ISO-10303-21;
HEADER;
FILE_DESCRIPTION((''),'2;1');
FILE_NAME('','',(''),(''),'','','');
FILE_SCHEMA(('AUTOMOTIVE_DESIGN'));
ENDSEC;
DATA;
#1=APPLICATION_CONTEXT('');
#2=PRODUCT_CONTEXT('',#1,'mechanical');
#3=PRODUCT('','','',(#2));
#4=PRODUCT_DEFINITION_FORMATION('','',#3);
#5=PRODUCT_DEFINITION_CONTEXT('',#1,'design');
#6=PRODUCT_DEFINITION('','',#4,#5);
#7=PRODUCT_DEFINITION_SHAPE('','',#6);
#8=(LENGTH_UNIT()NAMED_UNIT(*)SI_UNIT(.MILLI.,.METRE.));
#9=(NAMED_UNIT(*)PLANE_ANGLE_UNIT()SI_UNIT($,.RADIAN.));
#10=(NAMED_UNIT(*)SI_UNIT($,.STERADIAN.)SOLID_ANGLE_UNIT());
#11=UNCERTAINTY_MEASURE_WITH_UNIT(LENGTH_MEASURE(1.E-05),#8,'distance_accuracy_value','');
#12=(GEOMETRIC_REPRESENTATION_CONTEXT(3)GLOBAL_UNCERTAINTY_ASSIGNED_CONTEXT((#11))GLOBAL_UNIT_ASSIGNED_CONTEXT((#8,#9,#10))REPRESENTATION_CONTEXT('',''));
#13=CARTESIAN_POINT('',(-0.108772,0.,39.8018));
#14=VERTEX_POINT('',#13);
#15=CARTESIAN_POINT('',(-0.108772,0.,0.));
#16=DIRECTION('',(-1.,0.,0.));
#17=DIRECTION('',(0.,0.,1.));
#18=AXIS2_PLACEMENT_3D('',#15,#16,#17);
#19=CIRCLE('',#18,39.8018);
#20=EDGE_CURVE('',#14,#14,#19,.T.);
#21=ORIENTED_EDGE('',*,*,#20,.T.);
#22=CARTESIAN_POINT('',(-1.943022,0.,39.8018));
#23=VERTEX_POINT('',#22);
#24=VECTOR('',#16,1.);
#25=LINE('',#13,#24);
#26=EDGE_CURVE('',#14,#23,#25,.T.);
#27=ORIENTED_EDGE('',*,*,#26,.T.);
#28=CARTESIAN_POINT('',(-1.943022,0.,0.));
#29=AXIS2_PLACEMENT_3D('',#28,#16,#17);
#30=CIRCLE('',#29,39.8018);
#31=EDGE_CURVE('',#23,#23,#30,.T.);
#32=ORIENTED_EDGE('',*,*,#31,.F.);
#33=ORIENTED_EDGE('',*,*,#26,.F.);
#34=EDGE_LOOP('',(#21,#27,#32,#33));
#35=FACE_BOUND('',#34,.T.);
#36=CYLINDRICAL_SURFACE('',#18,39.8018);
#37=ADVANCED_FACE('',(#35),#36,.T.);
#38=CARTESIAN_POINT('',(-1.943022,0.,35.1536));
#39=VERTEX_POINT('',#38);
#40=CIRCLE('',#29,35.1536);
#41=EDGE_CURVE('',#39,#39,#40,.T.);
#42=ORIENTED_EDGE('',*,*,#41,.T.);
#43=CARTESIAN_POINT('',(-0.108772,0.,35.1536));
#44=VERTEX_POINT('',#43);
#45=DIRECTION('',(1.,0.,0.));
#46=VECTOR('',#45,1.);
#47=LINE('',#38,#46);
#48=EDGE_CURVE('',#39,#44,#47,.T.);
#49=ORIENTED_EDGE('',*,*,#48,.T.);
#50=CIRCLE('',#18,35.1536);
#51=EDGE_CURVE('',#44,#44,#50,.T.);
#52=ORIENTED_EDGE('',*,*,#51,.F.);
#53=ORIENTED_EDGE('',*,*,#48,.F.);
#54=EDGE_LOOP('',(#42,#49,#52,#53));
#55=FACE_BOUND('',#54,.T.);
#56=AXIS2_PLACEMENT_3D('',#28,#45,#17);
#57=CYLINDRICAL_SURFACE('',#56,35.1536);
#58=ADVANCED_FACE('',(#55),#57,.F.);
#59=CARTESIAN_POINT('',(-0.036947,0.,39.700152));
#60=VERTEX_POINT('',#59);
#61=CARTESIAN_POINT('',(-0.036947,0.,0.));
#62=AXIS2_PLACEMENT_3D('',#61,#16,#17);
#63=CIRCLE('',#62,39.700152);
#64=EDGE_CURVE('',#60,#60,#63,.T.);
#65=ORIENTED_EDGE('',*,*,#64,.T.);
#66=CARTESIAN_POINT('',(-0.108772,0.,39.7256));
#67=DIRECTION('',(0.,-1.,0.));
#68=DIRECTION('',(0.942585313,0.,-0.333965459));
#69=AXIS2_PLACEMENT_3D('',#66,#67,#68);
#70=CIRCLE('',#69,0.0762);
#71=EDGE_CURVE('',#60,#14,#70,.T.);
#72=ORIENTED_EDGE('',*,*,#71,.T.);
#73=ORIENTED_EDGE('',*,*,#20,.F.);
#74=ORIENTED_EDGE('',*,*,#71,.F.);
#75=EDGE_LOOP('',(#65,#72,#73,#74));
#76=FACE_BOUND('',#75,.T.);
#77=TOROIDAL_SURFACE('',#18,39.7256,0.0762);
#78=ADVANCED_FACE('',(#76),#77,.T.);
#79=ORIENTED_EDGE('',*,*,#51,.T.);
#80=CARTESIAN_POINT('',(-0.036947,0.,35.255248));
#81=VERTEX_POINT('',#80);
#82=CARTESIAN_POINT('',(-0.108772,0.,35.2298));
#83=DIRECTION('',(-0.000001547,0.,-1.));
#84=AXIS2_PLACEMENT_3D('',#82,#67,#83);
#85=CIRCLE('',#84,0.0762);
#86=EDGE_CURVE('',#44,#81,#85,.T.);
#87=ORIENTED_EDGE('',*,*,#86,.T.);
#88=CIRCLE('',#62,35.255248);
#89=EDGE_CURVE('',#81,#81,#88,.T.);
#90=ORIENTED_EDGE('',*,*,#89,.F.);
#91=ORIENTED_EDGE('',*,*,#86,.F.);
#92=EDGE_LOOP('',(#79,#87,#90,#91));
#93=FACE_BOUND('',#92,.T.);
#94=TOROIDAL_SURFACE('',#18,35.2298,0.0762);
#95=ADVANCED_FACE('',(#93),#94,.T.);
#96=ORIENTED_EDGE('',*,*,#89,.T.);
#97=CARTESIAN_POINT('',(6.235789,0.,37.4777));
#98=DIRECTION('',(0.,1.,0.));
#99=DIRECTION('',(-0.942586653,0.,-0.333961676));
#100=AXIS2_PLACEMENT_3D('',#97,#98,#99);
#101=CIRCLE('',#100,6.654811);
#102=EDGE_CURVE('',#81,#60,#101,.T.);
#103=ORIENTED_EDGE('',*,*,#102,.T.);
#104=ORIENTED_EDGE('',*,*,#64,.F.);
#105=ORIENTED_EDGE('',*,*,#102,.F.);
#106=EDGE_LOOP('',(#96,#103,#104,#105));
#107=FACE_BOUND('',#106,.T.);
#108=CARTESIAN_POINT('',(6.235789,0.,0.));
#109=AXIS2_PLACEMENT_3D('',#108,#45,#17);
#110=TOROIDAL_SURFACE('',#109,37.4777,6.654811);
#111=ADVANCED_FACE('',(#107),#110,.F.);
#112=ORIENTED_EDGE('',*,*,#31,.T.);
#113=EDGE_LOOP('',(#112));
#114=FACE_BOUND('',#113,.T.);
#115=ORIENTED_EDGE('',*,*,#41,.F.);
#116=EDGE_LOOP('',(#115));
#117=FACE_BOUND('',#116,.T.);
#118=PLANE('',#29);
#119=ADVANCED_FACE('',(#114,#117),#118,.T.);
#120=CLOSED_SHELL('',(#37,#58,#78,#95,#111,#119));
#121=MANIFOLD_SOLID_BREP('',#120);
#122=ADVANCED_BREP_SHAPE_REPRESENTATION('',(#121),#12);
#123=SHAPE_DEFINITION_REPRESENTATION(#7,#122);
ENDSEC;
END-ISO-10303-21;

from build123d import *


with BuildPart() as f1:
    # F0 (on Front) → F1 (revolve)
    with BuildSketch(Plane.XZ):
        with BuildLine():
            ThreePointArc((-0.036947, 39.700152), (-0.04654, 39.769573), (-0.108772, 39.8018))
            Line((-0.108772, 39.8018), (-1.943022, 39.8018))
            Line((-1.943022, 39.8018), (-1.943022, 35.1536))
            Line((-1.943022, 35.1536), (-0.108772, 35.1536))
            ThreePointArc((-0.108772, 35.1536), (-0.04654, 35.185827), (-0.036947, 35.255248))
            ThreePointArc((-0.036947, 35.255248), (-0.419022, 37.4777), (-0.036947, 39.700152))
        make_face()
    revolve(axis=Axis((-3.079263, 0, 0), (-1, 0, 0)))


solid = f1.part
